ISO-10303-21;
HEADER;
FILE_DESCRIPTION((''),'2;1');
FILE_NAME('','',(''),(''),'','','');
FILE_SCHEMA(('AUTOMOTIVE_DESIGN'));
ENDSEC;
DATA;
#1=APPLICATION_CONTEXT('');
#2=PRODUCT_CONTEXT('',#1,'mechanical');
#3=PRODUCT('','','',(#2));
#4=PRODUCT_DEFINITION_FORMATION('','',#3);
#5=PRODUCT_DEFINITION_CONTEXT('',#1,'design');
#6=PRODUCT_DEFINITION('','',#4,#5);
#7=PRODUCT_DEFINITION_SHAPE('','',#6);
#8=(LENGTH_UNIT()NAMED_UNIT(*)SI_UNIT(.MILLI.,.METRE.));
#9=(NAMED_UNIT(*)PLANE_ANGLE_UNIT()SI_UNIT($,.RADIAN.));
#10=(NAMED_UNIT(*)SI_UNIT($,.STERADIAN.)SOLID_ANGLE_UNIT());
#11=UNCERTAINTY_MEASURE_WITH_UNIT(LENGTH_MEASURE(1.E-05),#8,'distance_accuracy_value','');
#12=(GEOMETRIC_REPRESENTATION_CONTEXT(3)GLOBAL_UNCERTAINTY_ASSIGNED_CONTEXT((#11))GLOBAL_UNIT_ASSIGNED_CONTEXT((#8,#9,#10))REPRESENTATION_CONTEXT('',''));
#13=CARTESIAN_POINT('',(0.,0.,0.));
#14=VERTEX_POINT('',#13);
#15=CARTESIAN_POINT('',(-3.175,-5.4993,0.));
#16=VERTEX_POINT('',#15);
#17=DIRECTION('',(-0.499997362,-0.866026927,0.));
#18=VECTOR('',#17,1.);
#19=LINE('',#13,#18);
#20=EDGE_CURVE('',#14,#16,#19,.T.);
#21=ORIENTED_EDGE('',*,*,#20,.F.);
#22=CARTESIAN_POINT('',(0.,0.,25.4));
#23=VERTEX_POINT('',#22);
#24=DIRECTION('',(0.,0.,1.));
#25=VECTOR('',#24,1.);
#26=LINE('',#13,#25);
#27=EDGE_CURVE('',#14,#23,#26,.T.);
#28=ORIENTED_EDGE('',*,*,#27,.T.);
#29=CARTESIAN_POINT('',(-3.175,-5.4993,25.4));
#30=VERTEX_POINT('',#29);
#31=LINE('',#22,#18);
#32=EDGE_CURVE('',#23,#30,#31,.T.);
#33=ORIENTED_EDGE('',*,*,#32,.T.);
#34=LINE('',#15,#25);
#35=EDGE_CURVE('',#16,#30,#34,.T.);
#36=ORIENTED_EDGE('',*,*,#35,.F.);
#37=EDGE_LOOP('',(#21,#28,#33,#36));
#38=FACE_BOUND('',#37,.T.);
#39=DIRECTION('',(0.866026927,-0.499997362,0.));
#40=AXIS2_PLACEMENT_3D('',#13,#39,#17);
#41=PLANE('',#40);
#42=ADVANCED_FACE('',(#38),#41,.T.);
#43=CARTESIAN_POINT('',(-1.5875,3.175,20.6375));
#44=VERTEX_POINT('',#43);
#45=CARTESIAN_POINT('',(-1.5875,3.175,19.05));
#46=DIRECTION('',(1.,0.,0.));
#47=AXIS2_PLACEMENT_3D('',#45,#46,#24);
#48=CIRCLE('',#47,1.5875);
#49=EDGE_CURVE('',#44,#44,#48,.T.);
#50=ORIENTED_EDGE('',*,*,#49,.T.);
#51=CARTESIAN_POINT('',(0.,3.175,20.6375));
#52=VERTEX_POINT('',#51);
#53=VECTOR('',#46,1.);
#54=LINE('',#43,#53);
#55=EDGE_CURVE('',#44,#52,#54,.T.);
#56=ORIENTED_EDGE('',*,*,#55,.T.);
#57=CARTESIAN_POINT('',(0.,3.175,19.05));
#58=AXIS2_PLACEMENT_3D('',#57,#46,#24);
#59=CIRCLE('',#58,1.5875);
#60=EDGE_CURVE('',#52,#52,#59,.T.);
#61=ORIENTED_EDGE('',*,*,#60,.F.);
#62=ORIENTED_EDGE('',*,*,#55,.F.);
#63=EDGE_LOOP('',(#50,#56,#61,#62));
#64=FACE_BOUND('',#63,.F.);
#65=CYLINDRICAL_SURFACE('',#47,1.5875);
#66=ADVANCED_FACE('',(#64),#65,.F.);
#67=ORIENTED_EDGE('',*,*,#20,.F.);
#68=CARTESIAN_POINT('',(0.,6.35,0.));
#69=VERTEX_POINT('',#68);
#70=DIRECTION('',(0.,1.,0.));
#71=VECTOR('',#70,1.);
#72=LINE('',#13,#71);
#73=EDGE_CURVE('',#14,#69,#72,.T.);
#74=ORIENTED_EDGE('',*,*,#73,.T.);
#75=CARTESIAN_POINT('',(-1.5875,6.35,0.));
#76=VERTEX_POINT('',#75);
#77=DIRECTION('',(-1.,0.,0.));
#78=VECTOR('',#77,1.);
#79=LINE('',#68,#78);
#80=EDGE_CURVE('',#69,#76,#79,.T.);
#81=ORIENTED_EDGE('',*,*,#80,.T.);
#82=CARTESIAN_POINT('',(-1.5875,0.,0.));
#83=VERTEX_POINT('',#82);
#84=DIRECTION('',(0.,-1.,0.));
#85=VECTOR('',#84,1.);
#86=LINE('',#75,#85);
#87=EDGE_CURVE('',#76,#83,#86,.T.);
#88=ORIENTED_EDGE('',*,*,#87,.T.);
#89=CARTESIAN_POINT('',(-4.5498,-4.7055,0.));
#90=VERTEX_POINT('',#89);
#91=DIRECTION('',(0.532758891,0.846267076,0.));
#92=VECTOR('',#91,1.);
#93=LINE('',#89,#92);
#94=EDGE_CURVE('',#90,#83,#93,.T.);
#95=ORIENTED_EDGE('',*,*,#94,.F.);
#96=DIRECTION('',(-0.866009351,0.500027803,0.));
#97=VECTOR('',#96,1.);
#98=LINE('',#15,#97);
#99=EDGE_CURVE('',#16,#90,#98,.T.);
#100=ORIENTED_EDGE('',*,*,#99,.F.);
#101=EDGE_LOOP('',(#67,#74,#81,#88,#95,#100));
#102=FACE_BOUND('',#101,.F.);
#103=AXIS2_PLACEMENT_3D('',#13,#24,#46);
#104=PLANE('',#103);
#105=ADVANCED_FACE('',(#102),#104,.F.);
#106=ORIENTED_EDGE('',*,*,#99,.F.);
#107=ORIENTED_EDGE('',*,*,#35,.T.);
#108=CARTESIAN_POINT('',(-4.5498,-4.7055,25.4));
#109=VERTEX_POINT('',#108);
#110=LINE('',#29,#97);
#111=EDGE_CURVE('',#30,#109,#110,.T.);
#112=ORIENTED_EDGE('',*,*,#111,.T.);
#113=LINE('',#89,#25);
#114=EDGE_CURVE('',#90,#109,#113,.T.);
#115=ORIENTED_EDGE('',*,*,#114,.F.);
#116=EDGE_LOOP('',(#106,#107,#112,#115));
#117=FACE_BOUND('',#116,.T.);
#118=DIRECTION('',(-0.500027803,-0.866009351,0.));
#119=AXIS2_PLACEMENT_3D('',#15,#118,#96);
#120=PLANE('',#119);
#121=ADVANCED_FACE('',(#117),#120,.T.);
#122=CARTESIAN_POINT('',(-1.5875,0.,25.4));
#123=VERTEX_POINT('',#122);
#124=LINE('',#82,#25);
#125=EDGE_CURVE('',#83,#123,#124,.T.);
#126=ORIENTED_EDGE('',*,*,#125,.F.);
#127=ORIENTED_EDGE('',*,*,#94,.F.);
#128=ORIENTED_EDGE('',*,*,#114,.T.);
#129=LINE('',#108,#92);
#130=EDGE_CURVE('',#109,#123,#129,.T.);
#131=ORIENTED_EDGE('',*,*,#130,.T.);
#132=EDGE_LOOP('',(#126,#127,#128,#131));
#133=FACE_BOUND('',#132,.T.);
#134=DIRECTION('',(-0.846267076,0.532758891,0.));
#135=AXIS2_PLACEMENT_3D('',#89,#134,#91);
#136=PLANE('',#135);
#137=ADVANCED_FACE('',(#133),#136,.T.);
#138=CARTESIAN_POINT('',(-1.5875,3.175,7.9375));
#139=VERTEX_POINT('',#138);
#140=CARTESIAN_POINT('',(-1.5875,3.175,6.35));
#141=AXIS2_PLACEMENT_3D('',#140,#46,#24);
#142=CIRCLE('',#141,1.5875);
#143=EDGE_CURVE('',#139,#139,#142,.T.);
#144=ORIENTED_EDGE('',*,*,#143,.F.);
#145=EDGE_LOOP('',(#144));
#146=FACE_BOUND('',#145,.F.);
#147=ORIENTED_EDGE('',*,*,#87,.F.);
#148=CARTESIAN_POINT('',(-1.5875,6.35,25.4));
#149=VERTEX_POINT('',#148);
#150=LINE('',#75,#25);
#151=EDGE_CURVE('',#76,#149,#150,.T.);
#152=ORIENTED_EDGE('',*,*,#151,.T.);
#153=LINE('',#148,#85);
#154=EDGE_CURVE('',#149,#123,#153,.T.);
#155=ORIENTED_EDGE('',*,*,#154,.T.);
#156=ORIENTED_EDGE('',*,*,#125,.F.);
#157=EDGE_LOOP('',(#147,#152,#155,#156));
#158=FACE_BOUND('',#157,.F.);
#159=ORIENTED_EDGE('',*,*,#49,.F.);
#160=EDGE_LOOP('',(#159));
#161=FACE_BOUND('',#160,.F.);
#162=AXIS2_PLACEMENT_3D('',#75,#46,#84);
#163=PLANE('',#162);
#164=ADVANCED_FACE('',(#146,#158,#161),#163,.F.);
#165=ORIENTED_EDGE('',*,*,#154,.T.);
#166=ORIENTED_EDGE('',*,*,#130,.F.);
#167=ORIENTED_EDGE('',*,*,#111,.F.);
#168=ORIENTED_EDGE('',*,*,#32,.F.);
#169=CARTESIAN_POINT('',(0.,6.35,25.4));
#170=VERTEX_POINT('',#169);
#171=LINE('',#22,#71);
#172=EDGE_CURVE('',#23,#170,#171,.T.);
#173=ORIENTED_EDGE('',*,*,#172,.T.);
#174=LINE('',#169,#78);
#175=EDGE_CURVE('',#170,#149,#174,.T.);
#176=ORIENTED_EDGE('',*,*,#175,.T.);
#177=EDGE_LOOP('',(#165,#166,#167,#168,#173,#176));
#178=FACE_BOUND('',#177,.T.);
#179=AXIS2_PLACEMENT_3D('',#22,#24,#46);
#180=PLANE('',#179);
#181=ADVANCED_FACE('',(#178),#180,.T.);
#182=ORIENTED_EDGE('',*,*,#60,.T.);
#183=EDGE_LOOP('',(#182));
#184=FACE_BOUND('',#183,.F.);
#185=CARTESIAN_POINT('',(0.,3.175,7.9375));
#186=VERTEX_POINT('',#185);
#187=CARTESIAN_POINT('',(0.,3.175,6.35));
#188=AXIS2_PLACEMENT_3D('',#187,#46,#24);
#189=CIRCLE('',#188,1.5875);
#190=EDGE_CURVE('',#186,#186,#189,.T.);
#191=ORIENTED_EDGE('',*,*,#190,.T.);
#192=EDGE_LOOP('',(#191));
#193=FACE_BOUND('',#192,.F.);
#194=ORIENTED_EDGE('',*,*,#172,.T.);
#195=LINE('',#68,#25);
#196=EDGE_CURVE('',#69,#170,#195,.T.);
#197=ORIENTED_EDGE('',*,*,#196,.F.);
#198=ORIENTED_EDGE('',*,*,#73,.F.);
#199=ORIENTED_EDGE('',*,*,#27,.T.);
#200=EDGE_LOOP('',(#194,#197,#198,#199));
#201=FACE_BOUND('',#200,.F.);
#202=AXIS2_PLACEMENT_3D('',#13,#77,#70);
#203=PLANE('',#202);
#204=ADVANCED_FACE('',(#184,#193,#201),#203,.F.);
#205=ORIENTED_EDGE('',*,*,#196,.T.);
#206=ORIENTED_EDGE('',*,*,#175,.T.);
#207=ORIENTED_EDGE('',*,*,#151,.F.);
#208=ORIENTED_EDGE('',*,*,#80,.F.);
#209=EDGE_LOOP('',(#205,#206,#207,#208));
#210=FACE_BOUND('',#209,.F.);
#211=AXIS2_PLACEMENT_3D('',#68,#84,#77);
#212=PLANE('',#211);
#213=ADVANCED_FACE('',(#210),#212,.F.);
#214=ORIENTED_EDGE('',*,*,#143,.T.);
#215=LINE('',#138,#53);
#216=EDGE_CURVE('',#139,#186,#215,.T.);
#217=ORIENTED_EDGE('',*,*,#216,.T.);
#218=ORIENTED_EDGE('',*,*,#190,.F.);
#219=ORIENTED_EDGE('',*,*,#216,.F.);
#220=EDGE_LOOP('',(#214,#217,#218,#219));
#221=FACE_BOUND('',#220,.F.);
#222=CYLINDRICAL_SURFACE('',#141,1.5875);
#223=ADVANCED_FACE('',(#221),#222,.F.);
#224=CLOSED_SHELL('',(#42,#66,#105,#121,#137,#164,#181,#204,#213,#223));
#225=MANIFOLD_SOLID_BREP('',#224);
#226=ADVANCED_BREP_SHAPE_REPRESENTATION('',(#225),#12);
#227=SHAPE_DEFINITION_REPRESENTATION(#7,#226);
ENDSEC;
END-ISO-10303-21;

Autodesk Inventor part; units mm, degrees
ref_plane "YZ Plane" through (0, 0, 0) normal (1, 0, 0) x (0, 1, 0)
ref_plane "XZ Plane" through (0, 0, 0) normal (0, 1, 0) x (-1, 0, 0)
ref_plane "XY Plane" through (0, 0, 0) normal (0, 0, 1) x (1, 0, 0)
sketch "Sketch2" plane through (0, 0, 0) normal (0, 0, 1) x (1, 0, 0)
  line L0 (0, 0) -> (-3.175, -5.4993)
  line L1 (0, 0) -> (6.35, 0) construction
  line L2 (0, 0) -> (0, 6.35)
  line L3 (0, 6.35) -> (-1.5875, 6.35)
  line L4 (-1.5875, 6.35) -> (-1.5875, 0)
  line L5 (-3.175, -5.4993) -> (-4.5498, -4.7055)
  line L6 (-4.5498, -4.7055) -> (-1.5875, 0)
  dimension "d0" = 6.35
  dimension "d1" = 120
  dimension "d2" = 6.35
  dimension "d3" = 1.5875
  dimension "d4" = 1.5875
extrude "Extrusion1" add sketch "Sketch2" along normal blind 25.4
sketch "Sketch3" plane through (-1.5875, 0, 0) normal (-1, 0, 0) x (0, 0, 1)
  line L0 (0, 6.35) -> (25.4, 6.35) projected
  line L1 (6.35, 6.35) -> (6.35, 0)
  line L2 (0, 0) -> (0, 6.35) projected
  line L3 (12.7, 6.35) -> (12.7, 0)
  line L4 (0, 0) -> (25.4, 0) projected
  circle A0 centre (6.35, 3.175) radius 1.5875
  circle A1 centre (19.05, 3.175) radius 1.5875
  dimension "d7" = 6.35
  dimension "d8" = 3.175
hole "Hole1" at (-1.5875, 3.175, 6.35) at (-1.5875, 3.175, 19.05) direction (1, 0, 0) diameter 3.175 depth 25.4 tip angle 118
properties part number "2AM-17-P-5203 - flaps"
